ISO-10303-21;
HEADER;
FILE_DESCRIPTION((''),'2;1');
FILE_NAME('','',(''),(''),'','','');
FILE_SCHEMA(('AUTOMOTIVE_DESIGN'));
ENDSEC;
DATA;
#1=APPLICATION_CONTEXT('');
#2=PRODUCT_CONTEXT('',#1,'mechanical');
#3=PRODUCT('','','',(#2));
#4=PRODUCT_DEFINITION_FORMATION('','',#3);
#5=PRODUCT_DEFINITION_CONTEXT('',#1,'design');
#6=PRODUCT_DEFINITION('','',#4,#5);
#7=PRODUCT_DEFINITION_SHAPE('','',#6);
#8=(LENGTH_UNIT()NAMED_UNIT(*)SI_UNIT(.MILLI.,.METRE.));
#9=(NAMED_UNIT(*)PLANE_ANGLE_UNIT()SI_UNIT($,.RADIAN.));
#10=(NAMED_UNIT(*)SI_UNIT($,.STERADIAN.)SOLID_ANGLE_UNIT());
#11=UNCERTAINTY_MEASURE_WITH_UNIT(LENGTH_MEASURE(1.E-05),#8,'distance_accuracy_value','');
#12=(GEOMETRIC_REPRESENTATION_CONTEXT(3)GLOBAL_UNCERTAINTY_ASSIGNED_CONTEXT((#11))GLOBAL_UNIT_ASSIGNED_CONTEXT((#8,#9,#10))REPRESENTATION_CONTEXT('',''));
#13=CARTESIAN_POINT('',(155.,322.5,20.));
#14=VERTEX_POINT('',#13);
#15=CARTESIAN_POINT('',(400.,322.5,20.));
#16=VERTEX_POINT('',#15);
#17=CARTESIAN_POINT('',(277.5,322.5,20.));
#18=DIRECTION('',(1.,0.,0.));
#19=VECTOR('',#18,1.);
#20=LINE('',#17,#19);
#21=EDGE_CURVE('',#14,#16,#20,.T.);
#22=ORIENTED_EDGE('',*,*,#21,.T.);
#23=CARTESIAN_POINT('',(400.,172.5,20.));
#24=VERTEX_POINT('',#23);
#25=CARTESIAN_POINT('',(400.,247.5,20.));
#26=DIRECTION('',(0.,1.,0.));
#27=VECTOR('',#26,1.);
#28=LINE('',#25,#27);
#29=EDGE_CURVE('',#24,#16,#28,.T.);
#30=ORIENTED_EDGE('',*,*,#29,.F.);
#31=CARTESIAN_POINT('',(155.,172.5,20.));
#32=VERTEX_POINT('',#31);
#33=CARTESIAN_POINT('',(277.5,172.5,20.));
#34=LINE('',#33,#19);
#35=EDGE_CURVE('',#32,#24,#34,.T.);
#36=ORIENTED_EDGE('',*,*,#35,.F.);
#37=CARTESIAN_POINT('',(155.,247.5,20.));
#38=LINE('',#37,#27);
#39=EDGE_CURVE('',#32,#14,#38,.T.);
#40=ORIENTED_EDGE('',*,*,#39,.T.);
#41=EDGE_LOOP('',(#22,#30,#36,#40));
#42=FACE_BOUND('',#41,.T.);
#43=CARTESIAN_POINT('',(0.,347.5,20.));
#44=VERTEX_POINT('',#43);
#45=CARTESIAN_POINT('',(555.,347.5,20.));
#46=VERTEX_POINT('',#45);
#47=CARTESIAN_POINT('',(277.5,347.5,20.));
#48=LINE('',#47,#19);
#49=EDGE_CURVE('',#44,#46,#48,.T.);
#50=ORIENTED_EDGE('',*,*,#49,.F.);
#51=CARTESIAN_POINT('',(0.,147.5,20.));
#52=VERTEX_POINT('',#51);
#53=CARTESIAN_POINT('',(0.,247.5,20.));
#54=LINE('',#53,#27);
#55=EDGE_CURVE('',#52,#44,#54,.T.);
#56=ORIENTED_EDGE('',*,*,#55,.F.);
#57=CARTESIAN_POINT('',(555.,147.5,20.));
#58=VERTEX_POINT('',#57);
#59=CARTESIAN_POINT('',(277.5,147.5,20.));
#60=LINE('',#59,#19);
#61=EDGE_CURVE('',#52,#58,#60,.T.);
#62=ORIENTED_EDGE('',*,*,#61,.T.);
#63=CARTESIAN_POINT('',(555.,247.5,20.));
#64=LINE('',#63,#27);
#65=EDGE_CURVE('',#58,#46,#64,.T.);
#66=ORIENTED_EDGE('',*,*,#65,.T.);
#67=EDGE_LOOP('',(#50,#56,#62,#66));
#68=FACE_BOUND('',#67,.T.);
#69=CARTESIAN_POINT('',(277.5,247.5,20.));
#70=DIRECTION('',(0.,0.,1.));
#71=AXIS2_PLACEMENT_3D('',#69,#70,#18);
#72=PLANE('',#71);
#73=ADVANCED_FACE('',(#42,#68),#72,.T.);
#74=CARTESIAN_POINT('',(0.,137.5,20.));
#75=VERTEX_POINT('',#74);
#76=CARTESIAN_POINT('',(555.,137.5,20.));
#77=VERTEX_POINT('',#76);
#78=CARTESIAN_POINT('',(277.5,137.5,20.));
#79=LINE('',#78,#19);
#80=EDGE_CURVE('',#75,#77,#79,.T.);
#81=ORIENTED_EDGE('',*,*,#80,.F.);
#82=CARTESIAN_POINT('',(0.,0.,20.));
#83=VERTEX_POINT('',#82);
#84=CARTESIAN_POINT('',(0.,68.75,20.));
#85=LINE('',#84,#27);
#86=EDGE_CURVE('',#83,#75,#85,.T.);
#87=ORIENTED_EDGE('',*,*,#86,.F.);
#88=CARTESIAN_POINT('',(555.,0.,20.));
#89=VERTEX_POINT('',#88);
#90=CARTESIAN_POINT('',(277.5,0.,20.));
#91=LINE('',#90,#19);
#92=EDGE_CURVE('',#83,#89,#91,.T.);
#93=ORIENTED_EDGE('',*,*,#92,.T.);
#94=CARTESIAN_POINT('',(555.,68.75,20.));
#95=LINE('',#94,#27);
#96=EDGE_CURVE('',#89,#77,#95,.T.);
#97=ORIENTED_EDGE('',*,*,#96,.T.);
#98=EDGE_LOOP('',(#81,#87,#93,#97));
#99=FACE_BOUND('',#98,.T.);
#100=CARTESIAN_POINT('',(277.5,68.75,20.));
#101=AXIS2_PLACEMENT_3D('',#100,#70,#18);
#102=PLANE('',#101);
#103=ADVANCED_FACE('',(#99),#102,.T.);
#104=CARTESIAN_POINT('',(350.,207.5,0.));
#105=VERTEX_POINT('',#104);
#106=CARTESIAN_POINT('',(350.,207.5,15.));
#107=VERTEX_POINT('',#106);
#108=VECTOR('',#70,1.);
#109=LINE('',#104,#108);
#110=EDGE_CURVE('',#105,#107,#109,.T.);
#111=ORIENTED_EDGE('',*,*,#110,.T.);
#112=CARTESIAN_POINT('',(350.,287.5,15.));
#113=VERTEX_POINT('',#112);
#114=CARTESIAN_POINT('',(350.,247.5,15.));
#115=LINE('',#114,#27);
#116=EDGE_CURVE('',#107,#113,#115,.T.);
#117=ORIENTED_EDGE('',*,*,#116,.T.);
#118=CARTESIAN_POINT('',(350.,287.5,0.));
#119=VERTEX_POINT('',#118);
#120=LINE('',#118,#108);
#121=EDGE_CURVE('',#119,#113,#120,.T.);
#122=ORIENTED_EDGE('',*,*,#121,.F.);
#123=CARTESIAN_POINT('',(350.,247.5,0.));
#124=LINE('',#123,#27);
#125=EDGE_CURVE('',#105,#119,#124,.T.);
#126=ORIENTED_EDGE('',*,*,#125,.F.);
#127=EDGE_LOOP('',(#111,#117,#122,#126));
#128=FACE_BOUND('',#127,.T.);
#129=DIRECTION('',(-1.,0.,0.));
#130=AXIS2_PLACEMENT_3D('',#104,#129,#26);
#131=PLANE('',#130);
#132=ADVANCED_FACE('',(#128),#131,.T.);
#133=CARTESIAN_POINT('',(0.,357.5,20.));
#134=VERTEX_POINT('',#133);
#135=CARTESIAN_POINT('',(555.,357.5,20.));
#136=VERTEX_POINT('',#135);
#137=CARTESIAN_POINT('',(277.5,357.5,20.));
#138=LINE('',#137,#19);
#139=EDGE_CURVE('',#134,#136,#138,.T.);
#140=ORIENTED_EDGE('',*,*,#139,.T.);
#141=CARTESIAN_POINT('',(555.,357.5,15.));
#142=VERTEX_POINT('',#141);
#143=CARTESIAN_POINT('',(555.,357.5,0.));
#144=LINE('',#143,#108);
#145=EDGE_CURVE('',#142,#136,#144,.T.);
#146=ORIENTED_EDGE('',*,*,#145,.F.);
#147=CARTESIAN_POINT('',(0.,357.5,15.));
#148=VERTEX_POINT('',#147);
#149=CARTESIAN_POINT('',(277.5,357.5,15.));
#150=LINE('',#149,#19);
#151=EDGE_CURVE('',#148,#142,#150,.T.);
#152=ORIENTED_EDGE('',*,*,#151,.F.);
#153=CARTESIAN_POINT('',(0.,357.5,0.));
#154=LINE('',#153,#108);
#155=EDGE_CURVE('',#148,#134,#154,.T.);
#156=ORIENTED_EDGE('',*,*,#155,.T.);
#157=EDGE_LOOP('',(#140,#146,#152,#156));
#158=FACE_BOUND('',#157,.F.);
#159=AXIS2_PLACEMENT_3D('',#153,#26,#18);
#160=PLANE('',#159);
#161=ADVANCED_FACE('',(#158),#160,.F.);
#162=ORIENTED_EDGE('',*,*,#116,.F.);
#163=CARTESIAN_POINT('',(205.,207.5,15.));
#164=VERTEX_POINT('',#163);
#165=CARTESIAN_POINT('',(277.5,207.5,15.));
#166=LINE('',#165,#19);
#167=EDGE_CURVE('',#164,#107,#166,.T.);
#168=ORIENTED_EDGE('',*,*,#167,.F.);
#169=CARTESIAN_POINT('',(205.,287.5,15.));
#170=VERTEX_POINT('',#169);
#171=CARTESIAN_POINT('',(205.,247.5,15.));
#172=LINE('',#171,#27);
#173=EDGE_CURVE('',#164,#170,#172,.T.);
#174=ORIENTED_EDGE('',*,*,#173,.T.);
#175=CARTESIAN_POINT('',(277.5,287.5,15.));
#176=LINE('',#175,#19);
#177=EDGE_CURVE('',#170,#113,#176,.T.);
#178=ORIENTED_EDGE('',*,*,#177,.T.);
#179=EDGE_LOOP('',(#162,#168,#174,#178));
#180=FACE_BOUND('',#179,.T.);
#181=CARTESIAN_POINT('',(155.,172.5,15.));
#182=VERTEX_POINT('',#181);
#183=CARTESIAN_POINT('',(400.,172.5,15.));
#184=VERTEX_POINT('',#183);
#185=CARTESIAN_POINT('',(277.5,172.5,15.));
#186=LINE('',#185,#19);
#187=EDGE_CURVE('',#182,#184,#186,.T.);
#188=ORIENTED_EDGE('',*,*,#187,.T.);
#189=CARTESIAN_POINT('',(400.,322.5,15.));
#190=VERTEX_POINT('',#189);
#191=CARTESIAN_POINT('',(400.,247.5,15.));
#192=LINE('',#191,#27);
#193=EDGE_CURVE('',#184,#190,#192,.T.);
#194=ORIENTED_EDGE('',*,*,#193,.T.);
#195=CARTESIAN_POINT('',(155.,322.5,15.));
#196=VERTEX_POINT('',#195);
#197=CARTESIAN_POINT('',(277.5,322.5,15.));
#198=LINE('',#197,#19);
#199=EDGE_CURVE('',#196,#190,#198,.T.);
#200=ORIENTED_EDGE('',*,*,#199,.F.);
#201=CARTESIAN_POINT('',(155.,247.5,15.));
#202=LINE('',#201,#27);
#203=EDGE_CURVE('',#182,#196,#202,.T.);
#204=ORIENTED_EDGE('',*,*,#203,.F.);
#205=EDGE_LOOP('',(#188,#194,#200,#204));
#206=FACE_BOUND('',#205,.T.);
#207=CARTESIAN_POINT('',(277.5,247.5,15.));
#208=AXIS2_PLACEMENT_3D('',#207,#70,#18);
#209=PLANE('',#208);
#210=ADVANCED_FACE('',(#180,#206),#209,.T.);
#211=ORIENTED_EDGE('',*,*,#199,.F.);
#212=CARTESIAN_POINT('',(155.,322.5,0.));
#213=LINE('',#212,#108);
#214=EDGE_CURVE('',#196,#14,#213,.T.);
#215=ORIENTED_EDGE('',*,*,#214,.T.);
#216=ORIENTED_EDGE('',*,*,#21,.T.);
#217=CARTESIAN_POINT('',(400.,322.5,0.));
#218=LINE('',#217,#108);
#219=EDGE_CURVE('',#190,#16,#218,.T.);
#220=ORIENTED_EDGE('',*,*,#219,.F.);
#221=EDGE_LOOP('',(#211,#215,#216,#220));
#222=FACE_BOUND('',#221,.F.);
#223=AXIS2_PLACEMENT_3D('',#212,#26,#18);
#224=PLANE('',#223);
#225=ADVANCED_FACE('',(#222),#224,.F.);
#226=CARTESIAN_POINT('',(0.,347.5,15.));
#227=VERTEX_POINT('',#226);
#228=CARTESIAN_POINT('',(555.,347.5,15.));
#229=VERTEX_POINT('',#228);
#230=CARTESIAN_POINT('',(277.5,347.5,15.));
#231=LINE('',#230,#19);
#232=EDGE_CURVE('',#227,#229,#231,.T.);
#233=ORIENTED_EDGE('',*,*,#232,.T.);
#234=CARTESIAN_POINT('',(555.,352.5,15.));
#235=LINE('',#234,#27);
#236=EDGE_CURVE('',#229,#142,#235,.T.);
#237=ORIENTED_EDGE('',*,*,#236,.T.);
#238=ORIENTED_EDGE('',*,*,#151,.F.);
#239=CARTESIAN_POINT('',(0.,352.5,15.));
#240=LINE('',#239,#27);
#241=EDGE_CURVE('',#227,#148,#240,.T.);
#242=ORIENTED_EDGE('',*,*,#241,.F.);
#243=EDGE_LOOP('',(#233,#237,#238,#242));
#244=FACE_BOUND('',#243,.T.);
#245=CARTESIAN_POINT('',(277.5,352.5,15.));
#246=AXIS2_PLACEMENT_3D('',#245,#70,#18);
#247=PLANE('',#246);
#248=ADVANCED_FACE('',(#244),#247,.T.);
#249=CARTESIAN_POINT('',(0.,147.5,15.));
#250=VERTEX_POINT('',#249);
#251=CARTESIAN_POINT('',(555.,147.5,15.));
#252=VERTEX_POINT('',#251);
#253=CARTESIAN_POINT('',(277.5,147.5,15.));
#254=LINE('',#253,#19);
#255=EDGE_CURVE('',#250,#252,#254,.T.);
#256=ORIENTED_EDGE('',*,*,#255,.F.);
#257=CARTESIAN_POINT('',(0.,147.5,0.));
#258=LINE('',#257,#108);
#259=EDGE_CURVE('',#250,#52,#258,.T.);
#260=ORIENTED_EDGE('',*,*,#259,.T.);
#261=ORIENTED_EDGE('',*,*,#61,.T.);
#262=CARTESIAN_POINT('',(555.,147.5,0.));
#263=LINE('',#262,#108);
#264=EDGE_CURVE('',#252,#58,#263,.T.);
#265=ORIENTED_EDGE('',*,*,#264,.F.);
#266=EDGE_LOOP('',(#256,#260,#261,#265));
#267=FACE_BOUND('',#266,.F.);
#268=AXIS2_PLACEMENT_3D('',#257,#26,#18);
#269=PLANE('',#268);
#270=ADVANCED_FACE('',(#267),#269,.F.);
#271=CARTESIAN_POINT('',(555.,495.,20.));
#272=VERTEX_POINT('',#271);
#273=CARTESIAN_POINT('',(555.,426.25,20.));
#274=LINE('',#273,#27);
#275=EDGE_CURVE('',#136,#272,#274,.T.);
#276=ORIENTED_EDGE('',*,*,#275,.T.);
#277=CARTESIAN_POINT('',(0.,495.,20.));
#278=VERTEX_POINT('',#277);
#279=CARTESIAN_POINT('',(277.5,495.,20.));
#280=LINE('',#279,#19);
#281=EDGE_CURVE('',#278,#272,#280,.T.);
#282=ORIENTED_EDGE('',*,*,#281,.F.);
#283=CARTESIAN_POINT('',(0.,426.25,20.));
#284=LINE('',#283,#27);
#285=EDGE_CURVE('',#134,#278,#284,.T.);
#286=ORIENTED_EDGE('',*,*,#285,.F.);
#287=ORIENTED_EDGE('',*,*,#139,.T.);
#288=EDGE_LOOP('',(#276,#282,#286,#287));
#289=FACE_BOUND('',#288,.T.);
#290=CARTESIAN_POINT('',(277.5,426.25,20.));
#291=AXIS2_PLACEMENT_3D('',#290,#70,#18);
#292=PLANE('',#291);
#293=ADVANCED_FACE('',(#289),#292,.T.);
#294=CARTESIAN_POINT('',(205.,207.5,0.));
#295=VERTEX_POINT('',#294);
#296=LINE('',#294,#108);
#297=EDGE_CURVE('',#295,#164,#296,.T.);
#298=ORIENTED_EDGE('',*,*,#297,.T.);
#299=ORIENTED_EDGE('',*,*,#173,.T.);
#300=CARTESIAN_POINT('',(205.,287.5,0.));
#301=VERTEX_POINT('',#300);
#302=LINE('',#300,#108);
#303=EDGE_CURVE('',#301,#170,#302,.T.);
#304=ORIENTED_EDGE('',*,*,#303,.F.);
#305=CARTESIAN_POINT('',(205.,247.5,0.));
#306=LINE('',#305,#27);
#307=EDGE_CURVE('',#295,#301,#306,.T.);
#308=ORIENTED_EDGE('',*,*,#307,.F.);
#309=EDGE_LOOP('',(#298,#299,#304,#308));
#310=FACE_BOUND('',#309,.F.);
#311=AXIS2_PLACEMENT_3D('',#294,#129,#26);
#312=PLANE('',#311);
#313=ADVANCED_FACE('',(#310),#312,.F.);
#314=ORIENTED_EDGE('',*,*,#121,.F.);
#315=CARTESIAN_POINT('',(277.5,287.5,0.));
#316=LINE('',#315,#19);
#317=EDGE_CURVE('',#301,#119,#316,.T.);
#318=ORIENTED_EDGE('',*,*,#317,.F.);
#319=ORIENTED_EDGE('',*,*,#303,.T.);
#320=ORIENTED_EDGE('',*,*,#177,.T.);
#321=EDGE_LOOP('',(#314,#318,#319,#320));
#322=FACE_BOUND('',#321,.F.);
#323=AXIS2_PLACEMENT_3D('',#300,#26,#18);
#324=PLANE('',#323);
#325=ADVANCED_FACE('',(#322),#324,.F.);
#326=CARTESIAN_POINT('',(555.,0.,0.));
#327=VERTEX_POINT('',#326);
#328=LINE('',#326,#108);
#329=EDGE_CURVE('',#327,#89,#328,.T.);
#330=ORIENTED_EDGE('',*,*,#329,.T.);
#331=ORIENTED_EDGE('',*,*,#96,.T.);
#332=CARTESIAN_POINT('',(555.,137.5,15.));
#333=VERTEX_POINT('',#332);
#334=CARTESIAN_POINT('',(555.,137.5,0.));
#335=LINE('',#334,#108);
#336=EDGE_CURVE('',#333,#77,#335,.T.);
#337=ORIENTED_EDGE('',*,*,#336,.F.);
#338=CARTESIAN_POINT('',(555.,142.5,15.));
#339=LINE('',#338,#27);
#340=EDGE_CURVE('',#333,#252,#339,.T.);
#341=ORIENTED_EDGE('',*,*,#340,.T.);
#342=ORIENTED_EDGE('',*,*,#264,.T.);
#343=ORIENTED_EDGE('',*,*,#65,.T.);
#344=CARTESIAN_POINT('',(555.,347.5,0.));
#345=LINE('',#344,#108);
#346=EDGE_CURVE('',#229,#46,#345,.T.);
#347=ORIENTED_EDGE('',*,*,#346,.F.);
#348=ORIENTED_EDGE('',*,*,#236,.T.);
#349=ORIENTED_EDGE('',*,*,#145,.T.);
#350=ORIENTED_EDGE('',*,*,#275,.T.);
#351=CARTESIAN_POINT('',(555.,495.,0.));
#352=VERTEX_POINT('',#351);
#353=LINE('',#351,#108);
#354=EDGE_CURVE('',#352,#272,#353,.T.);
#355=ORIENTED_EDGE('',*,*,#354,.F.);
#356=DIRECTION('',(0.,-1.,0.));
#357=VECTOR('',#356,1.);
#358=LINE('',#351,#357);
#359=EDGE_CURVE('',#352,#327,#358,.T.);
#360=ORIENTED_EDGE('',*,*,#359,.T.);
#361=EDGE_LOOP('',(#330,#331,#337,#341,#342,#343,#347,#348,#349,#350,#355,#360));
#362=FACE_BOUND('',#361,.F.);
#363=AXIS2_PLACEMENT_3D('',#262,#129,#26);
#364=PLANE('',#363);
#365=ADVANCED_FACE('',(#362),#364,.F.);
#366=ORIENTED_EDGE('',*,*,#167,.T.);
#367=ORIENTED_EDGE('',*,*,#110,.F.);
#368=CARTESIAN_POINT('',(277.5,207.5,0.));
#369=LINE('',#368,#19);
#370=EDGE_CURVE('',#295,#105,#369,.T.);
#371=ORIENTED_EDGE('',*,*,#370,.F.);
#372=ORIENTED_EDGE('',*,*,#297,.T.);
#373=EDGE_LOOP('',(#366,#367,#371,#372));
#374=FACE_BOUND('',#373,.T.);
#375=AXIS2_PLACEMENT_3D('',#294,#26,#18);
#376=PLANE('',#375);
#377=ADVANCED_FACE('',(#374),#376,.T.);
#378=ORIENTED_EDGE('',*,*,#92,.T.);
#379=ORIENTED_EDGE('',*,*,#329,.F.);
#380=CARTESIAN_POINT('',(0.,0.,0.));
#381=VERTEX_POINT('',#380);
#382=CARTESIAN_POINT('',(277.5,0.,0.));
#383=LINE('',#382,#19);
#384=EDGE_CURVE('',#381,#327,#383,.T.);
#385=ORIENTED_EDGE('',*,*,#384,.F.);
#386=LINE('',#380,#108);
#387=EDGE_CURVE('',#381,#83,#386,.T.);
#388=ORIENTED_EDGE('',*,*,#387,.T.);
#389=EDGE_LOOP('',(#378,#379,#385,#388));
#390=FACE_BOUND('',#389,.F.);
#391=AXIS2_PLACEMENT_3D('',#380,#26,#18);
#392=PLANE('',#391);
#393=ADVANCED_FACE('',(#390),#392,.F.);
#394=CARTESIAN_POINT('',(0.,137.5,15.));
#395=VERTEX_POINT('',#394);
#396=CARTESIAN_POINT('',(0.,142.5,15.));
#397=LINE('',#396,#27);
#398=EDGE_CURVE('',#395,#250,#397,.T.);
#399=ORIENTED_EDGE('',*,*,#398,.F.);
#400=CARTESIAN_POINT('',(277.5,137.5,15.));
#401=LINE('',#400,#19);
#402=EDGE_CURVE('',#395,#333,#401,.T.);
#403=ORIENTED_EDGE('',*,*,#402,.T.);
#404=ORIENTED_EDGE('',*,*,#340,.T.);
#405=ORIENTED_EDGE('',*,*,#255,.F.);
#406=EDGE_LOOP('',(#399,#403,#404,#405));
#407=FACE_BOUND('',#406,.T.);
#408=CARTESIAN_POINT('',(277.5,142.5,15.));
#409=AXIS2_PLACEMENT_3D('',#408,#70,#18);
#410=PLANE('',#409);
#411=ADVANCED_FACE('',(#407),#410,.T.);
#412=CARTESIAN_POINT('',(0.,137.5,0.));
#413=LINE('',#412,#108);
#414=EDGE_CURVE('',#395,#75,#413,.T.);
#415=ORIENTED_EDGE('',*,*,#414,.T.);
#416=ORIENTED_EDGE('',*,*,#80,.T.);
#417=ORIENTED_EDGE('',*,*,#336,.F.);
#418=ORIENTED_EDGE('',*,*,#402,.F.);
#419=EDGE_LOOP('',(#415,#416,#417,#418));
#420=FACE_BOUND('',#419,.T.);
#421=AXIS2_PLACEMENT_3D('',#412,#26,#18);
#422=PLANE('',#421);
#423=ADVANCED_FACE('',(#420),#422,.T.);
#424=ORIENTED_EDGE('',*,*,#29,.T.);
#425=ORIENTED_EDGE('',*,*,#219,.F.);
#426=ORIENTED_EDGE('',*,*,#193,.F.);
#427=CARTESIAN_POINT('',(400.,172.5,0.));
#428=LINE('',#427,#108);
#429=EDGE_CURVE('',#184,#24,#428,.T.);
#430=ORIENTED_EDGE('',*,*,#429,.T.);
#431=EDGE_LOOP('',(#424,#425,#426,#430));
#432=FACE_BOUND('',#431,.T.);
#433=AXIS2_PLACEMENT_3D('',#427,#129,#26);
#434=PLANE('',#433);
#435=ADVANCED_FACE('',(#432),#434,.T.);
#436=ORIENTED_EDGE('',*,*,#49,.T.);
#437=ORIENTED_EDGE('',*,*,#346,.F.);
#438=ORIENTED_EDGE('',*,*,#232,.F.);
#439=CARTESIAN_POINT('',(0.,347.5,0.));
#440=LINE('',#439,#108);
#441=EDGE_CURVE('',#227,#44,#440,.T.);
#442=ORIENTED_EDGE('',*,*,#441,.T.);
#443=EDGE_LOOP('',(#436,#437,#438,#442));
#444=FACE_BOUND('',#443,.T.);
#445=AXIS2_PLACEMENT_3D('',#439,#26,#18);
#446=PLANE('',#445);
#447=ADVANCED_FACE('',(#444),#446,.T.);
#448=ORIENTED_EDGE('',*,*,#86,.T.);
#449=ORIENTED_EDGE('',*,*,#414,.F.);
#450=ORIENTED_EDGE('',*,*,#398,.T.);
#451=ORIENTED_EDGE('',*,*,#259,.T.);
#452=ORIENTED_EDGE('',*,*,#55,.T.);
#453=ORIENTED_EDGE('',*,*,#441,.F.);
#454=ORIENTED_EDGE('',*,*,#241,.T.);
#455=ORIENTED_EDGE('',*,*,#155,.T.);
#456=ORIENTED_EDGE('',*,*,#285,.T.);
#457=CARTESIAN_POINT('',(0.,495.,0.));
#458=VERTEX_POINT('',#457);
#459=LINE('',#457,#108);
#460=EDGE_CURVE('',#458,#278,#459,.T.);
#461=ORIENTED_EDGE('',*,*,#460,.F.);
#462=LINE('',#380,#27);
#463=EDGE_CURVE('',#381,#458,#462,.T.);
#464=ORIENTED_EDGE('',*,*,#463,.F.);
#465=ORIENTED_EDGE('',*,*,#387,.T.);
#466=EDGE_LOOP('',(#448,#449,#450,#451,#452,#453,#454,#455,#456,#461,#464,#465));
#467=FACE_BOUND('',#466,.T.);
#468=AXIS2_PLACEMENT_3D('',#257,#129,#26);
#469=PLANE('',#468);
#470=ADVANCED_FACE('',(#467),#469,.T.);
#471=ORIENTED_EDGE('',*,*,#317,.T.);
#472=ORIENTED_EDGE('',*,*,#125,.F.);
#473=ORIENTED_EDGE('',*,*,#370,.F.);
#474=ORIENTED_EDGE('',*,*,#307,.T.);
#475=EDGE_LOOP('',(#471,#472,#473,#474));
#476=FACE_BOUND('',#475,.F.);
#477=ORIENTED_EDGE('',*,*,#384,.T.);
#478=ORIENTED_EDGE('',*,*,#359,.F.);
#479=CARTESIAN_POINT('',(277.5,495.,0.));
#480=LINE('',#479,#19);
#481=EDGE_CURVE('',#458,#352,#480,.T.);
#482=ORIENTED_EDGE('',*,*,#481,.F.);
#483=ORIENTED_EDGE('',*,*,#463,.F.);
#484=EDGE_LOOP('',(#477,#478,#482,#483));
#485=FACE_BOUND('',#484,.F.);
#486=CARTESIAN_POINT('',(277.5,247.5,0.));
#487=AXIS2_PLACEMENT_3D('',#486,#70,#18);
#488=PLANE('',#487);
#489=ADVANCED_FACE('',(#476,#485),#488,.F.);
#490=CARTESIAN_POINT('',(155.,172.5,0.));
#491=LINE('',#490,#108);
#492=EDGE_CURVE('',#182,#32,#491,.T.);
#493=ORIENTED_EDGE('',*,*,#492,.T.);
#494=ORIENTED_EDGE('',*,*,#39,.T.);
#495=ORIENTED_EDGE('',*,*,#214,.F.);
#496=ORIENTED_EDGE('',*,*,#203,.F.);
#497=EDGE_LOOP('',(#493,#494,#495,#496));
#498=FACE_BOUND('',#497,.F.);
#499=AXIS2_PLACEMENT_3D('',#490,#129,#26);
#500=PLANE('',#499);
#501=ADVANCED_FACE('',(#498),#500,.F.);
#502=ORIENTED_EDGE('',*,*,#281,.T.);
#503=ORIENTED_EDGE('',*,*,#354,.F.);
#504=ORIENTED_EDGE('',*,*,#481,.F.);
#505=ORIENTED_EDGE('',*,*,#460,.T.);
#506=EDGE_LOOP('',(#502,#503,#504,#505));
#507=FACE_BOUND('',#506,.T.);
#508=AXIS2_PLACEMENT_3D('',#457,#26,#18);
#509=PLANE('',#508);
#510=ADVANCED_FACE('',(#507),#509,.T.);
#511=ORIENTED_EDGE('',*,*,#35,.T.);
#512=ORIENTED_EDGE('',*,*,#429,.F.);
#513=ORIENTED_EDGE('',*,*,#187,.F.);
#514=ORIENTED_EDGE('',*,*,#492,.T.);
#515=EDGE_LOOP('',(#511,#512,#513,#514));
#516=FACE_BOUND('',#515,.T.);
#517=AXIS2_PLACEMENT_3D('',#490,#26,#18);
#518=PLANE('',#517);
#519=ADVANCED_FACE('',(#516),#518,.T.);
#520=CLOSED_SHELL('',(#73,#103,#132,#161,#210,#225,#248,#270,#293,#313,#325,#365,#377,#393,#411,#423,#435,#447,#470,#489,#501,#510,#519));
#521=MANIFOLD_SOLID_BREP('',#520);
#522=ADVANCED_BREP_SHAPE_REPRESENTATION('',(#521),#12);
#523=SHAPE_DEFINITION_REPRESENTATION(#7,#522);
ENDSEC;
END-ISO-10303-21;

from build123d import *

# Parameters (mm, degrees)
F0_W     = 555
F0_H     = 137.5
F0_H_2   = 200
F0_W_2   = 245
F0_H_3   = 150
F1_DEPTH = 20
F0_W_3   = 145
F0_H_4   = 80
F0_H_5   = 10
F2_DEPTH = 15


with BuildPart() as f1:
    # F0 (on Top) → F1 (new body)
    with BuildSketch(Plane.XY):
        with Locations((277.5, 68.75)):
            Rectangle(F0_W, F0_H)
        with Locations((277.5, 426.25)):
            Rectangle(F0_W, F0_H)
        with Locations((277.5, 247.5)):
            Rectangle(F0_W, F0_H_2)
        with Locations((277.5, 247.5)):
            Rectangle(F0_W_2, F0_H_3, mode=Mode.SUBTRACT)
    extrude(amount=F1_DEPTH)

    # F0 (on Top) → F2 (join)
    with BuildSketch(Plane.XY):
        with Locations((277.5, 247.5)):
            Rectangle(F0_W_2, F0_H_3)
        with Locations((277.5, 247.5)):
            Rectangle(F0_W_3, F0_H_4, mode=Mode.SUBTRACT)
        with Locations((277.5, 352.5)):
            Rectangle(F0_W, F0_H_5)
        with Locations((277.5, 142.5)):
            Rectangle(F0_W, F0_H_5)
    extrude(amount=F2_DEPTH)


solid = f1.part
